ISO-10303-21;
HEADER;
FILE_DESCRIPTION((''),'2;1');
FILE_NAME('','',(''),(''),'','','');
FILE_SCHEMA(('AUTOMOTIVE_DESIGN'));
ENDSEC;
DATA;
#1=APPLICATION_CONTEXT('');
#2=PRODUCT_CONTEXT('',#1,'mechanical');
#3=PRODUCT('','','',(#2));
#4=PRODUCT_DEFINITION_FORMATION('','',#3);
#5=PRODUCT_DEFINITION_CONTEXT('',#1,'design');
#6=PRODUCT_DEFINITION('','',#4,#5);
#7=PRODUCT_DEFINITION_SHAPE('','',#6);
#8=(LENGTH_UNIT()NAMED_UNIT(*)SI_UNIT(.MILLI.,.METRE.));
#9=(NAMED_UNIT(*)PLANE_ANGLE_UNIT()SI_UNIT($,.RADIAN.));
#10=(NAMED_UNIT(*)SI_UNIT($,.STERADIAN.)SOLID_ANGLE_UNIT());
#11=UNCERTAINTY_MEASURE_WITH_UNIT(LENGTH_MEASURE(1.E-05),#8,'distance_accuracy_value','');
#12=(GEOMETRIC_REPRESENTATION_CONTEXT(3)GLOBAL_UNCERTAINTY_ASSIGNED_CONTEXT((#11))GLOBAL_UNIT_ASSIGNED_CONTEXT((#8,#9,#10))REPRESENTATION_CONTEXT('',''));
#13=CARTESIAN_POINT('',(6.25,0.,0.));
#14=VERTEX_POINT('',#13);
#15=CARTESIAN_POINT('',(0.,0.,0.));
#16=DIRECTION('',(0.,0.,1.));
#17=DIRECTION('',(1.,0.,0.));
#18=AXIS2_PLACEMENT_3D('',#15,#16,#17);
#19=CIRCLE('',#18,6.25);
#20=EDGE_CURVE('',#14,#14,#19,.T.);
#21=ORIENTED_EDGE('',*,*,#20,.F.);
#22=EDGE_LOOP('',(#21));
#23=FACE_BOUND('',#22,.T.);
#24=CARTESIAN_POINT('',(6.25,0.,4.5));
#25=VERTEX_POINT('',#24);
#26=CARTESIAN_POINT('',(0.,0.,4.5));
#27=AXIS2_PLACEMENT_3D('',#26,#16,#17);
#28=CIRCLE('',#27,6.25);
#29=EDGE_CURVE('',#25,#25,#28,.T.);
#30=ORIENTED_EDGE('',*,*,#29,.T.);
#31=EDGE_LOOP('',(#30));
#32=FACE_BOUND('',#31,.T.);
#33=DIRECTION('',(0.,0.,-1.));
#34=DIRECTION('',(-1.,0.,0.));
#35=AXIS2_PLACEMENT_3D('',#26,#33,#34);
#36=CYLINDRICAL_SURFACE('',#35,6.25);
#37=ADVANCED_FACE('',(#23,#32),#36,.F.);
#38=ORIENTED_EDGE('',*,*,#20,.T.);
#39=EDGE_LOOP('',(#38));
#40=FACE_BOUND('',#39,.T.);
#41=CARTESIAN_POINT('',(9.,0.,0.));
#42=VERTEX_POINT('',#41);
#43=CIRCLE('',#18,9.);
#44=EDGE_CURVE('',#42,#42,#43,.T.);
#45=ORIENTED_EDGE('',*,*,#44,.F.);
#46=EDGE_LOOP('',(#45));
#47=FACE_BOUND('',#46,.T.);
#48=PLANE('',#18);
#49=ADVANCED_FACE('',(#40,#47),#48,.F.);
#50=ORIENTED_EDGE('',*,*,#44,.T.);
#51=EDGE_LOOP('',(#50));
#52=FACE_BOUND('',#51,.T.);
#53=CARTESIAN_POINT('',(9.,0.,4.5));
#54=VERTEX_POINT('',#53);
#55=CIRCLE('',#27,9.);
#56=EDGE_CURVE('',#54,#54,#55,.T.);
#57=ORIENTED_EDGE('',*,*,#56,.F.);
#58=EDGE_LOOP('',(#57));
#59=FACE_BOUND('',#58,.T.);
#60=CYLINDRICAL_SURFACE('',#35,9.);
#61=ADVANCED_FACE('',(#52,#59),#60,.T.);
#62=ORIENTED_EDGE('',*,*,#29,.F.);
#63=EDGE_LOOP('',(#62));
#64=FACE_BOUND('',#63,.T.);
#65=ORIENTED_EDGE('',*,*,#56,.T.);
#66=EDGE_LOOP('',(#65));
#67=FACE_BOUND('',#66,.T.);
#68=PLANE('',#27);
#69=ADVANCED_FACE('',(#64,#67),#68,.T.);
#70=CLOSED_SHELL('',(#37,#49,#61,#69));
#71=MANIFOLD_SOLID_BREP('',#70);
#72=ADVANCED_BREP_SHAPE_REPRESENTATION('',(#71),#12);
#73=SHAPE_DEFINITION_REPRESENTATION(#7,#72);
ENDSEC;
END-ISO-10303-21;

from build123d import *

# Parameters (mm, degrees)
SKETCH_1_R      = 9
SKETCH_1_R_2    = 6.25
EXTRUDE_1_DEPTH = 4.5


with BuildPart() as part:
    # 草图1 → 凸台-拉伸1 (new body)
    with BuildSketch(Plane.XY):
        Circle(SKETCH_1_R)
        Circle(SKETCH_1_R_2, mode=Mode.SUBTRACT)
    extrude(amount=EXTRUDE_1_DEPTH)


solid = part.part
